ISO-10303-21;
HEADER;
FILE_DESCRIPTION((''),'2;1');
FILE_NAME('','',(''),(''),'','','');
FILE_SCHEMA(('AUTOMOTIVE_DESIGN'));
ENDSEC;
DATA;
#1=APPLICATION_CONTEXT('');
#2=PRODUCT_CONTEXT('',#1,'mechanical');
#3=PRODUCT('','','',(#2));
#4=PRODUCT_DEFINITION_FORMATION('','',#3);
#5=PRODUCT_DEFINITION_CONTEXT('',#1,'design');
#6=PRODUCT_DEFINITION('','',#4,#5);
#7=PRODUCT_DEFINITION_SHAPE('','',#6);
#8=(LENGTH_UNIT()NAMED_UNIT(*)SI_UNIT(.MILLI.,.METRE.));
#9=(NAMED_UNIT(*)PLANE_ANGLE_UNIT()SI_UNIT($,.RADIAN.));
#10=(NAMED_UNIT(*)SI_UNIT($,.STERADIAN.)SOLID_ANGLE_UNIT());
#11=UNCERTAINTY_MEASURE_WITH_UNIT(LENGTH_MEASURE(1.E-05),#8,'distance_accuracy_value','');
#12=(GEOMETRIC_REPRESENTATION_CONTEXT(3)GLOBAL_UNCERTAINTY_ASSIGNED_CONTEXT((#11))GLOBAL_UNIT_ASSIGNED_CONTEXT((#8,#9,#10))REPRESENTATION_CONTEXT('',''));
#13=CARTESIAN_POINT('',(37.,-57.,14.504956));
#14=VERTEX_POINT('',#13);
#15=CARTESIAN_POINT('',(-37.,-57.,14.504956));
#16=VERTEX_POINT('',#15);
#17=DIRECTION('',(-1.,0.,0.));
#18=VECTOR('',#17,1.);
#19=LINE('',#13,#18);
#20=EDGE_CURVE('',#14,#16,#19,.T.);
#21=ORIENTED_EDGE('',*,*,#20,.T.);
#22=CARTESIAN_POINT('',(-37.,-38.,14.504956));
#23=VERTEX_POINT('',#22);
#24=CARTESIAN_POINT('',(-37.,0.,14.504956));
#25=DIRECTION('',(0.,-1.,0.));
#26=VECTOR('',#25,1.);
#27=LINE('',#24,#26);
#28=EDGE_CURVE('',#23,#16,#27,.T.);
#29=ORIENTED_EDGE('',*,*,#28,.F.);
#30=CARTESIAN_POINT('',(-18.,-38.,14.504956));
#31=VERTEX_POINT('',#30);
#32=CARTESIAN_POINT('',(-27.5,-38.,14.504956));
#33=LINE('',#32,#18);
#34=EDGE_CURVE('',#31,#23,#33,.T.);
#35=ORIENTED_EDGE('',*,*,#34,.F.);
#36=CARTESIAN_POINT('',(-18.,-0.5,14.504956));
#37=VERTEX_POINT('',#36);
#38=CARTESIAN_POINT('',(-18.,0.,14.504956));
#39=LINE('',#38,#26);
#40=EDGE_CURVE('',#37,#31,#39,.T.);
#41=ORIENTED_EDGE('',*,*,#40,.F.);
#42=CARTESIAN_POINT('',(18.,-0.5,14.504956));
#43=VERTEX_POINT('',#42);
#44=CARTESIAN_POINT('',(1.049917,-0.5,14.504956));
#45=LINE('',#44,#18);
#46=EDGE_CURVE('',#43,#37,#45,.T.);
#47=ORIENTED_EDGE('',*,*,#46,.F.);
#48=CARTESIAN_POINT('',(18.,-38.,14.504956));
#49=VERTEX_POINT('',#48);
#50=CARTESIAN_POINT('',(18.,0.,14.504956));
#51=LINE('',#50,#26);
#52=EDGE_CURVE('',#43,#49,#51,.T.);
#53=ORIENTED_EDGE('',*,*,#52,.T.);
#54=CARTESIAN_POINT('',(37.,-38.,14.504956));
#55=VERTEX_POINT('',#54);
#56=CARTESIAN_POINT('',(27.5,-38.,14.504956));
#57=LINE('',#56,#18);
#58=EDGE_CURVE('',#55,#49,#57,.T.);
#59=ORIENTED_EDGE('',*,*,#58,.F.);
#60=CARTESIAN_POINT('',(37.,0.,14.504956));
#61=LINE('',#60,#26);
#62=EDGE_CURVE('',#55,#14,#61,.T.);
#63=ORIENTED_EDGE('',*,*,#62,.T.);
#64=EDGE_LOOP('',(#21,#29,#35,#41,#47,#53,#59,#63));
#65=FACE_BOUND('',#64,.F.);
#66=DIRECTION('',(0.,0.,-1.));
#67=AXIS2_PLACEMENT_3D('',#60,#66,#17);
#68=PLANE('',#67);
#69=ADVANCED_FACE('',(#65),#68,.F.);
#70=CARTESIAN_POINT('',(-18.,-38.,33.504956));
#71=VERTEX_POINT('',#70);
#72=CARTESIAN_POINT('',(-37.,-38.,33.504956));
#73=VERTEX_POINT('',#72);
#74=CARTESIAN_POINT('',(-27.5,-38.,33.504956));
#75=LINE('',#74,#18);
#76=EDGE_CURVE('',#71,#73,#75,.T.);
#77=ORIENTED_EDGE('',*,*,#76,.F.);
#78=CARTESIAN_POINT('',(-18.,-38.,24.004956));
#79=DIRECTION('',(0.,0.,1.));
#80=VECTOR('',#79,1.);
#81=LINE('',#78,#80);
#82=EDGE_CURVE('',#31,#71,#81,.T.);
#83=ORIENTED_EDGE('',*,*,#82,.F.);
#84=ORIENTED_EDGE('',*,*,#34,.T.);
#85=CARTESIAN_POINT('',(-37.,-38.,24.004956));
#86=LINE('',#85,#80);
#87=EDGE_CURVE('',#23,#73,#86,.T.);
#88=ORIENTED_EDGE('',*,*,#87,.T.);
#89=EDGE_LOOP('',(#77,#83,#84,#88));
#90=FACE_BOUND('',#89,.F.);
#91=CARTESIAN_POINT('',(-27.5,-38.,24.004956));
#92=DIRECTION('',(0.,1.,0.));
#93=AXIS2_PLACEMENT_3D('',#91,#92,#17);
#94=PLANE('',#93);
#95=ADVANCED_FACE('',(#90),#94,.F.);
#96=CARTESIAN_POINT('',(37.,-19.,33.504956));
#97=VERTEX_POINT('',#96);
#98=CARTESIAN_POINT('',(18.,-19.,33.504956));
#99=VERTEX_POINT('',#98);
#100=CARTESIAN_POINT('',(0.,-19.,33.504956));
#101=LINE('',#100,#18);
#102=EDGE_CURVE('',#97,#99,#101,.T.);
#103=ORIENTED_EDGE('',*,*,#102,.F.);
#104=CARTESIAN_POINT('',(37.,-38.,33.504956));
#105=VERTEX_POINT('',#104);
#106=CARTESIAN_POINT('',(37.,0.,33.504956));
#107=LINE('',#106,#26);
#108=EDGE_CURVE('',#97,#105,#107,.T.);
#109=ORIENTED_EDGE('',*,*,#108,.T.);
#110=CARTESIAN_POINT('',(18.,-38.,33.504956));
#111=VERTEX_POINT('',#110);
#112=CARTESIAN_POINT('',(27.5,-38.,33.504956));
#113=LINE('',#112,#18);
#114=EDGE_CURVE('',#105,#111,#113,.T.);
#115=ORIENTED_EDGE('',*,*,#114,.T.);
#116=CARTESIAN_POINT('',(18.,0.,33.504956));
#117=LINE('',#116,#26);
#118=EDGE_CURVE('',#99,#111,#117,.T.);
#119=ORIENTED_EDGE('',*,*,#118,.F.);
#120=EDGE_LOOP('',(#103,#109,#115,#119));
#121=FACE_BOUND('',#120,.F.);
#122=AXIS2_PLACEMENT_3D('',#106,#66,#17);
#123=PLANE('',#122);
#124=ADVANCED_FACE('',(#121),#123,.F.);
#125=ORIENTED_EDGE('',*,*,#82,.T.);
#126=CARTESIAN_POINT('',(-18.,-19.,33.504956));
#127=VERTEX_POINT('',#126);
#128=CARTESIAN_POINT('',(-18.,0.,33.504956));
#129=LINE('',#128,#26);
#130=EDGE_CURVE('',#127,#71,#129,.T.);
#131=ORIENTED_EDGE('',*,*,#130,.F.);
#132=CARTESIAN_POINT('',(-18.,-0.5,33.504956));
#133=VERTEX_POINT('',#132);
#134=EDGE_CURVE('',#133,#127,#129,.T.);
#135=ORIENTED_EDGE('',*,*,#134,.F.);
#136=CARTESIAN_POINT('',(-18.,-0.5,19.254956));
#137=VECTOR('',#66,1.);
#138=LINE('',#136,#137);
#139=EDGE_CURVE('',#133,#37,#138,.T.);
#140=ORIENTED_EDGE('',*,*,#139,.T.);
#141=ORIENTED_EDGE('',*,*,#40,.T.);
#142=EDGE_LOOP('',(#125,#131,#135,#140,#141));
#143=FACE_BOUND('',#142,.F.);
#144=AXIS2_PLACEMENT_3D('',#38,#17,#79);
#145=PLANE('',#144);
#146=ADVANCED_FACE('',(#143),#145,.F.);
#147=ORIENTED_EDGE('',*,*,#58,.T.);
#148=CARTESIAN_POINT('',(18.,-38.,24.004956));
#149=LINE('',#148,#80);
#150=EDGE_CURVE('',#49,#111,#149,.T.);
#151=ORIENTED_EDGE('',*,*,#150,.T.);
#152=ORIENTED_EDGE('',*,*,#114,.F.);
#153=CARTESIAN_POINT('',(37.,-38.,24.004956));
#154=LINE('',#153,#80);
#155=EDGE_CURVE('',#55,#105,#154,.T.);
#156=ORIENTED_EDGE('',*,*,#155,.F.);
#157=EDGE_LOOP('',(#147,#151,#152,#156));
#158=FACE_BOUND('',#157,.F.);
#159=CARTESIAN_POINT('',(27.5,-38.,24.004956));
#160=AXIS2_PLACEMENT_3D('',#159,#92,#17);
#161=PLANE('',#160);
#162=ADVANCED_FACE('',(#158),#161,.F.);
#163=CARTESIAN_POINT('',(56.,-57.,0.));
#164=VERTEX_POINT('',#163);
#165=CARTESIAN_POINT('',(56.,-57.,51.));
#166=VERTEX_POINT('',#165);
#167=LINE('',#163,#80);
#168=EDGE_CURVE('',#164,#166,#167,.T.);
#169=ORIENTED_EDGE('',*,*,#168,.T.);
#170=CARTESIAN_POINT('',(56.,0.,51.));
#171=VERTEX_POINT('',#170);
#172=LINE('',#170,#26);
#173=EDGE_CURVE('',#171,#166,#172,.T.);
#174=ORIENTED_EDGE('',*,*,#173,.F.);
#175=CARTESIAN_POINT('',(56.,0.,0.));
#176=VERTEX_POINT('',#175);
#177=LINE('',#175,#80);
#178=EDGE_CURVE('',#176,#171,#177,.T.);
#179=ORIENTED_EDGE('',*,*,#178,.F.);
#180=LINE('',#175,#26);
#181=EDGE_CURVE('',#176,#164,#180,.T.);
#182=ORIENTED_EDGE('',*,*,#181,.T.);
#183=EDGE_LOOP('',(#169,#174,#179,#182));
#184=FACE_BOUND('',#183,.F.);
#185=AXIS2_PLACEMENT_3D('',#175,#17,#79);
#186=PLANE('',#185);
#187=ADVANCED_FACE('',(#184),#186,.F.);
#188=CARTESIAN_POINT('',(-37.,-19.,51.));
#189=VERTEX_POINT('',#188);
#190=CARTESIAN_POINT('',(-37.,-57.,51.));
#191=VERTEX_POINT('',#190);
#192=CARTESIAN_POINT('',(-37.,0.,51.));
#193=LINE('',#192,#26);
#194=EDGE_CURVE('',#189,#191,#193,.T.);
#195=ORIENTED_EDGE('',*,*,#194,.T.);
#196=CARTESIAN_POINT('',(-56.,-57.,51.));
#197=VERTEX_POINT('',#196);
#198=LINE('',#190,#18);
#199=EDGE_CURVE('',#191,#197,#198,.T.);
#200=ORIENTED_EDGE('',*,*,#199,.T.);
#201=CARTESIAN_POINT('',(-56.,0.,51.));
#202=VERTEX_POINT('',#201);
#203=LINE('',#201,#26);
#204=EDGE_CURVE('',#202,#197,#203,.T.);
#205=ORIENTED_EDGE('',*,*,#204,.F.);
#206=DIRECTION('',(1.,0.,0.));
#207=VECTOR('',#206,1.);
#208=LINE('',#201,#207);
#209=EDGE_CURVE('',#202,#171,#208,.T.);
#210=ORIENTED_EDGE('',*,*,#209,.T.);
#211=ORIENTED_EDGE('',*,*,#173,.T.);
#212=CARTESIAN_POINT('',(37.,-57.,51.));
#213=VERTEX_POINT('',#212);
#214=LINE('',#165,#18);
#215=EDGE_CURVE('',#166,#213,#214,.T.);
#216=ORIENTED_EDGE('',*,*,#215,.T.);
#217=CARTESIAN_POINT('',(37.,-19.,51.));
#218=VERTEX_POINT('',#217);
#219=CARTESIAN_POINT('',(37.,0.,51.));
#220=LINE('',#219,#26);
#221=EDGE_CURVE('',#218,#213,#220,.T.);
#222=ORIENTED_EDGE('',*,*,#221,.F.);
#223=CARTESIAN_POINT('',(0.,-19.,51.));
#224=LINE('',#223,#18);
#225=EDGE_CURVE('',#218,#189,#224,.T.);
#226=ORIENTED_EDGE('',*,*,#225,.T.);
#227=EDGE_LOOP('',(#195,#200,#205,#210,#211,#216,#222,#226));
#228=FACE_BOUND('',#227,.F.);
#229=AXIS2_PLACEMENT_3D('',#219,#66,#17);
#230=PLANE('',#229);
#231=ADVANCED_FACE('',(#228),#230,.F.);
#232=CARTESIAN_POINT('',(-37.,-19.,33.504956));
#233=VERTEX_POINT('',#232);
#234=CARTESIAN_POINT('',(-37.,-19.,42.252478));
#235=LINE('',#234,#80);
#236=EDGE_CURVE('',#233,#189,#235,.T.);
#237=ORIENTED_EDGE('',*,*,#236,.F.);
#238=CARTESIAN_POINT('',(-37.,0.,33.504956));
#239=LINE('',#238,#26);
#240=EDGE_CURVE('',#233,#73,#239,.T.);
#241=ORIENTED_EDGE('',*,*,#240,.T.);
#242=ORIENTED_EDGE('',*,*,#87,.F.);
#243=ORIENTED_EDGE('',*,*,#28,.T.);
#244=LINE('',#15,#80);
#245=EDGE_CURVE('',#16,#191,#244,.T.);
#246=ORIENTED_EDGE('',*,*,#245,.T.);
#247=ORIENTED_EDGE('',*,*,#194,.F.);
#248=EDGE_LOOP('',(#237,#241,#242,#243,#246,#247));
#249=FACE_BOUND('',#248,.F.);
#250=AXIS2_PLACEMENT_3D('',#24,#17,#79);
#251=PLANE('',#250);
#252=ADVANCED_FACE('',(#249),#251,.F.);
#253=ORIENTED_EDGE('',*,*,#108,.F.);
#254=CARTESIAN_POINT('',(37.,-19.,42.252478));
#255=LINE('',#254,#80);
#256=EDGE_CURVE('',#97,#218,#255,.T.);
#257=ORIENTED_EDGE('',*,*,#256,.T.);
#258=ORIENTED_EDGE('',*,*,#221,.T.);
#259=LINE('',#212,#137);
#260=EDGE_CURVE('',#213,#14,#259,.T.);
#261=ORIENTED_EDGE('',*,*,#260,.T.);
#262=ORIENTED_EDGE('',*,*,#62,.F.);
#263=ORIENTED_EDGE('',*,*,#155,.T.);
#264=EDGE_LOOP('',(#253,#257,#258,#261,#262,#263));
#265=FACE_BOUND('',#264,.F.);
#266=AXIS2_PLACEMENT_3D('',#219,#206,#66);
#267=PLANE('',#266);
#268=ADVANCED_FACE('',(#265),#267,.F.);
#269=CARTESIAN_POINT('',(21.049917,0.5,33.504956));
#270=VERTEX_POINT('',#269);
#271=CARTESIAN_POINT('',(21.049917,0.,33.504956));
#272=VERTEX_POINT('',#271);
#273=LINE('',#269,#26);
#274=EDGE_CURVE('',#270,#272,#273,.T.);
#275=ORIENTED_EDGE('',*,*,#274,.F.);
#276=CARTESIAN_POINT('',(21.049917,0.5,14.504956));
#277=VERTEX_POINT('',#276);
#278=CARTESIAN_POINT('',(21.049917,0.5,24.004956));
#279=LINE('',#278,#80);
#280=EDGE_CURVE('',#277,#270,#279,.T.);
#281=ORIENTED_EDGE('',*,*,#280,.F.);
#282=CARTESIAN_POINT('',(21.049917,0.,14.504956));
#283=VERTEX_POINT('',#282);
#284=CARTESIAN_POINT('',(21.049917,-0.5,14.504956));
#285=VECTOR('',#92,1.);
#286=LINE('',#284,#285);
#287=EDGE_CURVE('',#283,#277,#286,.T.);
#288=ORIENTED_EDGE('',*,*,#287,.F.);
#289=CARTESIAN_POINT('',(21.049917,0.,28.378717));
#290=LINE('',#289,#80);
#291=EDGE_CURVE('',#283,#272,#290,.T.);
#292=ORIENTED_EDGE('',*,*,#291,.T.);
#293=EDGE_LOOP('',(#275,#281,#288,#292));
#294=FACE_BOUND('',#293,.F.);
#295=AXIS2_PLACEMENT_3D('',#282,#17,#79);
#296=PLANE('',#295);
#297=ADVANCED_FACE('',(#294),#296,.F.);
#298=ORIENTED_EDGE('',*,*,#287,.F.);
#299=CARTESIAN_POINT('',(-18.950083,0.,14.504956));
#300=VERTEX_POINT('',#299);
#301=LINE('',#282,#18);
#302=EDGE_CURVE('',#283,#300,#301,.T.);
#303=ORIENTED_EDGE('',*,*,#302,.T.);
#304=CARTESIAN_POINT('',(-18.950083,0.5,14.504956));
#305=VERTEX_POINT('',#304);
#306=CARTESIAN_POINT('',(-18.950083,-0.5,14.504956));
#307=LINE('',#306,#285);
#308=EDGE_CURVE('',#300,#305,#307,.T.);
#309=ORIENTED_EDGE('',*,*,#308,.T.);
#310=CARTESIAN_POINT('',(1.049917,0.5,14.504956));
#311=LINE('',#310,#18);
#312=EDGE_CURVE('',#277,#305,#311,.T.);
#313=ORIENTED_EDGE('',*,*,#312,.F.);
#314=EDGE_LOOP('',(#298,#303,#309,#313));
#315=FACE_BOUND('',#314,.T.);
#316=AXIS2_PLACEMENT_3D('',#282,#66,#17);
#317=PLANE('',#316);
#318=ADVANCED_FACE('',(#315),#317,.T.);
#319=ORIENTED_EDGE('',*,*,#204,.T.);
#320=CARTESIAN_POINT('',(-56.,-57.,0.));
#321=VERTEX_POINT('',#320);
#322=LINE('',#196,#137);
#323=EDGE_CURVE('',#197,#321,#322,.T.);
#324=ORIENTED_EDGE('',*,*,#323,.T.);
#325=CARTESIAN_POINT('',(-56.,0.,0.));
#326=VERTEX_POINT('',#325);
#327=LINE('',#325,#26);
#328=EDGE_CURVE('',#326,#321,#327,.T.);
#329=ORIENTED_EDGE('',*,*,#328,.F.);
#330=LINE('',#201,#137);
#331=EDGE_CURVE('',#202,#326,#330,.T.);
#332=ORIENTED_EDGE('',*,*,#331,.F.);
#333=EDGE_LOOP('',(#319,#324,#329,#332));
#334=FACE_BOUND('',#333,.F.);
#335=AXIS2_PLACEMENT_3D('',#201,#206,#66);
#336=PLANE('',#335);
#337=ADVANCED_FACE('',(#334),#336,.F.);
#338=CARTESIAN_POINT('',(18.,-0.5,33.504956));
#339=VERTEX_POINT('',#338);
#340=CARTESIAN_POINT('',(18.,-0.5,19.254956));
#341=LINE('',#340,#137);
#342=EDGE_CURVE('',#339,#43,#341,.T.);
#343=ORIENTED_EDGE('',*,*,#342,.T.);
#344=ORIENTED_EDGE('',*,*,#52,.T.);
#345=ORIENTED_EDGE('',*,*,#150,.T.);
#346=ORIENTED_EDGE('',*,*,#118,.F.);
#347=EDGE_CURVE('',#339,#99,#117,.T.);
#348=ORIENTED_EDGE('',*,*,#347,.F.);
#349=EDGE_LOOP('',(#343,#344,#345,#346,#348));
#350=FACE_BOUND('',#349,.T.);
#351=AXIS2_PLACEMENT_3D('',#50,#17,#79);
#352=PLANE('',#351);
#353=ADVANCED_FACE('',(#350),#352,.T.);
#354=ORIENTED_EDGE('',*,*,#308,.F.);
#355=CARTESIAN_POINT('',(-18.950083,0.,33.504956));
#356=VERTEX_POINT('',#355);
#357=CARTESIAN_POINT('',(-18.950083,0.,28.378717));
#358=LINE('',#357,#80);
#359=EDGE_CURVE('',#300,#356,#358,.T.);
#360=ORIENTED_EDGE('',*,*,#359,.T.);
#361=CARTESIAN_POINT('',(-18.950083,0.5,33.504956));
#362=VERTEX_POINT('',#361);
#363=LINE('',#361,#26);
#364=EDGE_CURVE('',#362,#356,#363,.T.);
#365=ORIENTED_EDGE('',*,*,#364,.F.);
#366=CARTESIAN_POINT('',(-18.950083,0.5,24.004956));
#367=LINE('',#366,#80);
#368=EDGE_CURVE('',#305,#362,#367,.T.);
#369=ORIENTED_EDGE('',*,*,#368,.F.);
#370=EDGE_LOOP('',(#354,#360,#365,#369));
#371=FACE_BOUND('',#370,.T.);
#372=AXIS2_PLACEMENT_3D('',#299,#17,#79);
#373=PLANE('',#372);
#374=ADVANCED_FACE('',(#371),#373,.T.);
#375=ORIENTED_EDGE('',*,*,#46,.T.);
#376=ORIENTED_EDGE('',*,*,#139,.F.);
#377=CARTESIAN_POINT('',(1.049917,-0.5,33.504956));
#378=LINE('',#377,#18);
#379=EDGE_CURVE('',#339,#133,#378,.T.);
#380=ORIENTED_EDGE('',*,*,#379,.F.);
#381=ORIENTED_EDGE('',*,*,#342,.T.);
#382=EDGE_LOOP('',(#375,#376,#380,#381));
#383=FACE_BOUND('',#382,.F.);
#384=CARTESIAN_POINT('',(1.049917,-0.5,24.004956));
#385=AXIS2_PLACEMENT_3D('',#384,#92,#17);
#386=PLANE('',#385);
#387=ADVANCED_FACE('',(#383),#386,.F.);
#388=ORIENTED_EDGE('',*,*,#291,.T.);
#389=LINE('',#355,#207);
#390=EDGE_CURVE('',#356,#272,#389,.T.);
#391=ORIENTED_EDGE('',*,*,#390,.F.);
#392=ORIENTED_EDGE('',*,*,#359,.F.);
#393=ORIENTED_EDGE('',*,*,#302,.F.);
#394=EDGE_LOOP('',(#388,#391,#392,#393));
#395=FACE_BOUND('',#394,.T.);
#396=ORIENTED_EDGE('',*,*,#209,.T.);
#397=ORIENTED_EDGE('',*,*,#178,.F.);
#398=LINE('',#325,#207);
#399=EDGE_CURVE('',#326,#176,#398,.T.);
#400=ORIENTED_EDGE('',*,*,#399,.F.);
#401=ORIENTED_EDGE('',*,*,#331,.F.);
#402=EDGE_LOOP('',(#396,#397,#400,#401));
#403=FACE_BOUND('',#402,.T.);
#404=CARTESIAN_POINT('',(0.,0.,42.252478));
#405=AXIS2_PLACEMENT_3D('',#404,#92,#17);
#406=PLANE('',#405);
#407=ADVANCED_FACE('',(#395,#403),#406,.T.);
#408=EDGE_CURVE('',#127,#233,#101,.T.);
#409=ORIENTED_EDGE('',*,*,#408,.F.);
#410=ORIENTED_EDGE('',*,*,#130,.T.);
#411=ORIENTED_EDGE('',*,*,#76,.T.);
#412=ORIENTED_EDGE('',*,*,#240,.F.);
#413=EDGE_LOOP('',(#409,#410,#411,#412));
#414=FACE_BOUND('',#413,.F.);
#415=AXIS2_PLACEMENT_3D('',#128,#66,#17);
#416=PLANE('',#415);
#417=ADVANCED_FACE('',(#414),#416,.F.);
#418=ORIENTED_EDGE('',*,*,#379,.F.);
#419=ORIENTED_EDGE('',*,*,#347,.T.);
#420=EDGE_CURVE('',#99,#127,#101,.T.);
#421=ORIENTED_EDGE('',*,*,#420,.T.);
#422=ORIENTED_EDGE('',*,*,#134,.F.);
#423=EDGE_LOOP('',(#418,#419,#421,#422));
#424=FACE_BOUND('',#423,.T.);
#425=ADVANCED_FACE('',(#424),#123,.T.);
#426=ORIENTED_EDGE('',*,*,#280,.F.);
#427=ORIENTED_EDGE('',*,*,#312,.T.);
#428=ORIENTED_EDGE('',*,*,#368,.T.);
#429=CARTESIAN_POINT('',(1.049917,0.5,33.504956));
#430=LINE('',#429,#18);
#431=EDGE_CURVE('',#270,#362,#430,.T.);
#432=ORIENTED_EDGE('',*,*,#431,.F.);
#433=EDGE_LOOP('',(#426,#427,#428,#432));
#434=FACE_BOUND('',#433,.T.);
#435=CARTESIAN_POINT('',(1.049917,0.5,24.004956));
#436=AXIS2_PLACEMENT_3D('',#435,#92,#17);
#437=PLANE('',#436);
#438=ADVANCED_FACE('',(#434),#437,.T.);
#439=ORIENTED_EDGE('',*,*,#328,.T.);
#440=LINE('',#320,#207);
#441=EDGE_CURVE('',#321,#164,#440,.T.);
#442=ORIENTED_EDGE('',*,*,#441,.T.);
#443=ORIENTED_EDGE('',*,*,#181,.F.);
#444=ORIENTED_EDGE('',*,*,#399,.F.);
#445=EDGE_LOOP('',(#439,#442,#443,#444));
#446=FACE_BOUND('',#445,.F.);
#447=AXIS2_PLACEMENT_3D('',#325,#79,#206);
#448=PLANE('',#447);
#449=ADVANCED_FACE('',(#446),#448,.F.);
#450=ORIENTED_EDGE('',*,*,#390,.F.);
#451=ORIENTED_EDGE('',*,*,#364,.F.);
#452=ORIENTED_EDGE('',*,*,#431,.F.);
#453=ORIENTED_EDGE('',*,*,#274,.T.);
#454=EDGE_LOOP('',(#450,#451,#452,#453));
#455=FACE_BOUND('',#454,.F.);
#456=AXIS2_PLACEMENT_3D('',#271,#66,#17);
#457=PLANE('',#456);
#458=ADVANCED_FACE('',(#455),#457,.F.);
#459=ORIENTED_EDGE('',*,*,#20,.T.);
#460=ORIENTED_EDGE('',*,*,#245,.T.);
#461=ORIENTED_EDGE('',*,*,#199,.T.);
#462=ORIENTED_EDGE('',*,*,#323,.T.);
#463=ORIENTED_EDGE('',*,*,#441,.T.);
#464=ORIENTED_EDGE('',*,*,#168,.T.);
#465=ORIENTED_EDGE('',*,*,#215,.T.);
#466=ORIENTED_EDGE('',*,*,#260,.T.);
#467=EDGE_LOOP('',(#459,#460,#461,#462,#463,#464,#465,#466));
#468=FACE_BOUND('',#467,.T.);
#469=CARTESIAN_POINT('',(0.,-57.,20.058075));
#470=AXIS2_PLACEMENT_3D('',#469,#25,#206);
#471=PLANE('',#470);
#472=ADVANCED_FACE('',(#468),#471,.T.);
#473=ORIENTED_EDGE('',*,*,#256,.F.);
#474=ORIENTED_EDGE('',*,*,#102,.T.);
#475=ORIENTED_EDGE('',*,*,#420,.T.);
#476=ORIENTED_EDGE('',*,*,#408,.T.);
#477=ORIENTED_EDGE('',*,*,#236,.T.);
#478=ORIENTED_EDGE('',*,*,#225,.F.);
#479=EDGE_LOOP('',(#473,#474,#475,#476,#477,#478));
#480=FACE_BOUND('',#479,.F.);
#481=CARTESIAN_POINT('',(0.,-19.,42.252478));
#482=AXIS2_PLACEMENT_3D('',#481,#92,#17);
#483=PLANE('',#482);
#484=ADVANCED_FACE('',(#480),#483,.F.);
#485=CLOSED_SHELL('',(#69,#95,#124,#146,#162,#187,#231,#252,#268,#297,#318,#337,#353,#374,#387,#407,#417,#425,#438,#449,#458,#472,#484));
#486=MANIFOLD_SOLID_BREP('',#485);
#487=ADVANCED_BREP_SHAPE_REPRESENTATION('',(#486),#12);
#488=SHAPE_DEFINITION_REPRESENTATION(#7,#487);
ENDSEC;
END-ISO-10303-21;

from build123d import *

# Parameters (mm, degrees)
F1_DEPTH = 57
F2_W     = 19
F2_H     = 19
F3_DEPTH = 38
F4_W     = 74
F4_H     = 17.495044
F5_DEPTH = 19
F6_W     = 40
F6_H     = 19
F7_DEPTH = 0.5


with BuildPart() as f1:
    # F0 (on Front) → F1 (new body)
    with BuildSketch(Plane.XZ):
        Polygon((-56, 0), (0, 0), (56, 0), (56, 51), (37, 51), (37, 14.504956), (-37, 14.504956), (-37, 51), (-56, 51), align=None)
    extrude(amount=F1_DEPTH)

    # F2 (on face) → F3 (join)
    with BuildSketch(Plane(origin=(0, 0, 0), x_dir=(-1, 0, 0), z_dir=(0, 1, 0))):
        with Locations((27.5, 24.004956)):
            Rectangle(F2_W, F2_H)
        with Locations((-27.5, 24.004956)):
            Rectangle(F2_W, F2_H)
    extrude(amount=-F3_DEPTH)

    # F4 (on face) → F5 (join)
    with BuildSketch(Plane(origin=(0, 0, 0), x_dir=(-1, 0, 0), z_dir=(0, 1, 0))):
        with Locations((0, 42.252478)):
            Rectangle(F4_W, F4_H)
    extrude(amount=-F5_DEPTH)

    # F6 (on face) → F7 (join, symmetric)
    with BuildSketch(Plane(origin=(0, 0, 0), x_dir=(-1, 0, 0), z_dir=(0, 1, 0))):
        with Locations((-1.049917, 24.004956)):
            Rectangle(F6_W, F6_H)
    extrude(amount=F7_DEPTH, both=True)


solid = f1.part
